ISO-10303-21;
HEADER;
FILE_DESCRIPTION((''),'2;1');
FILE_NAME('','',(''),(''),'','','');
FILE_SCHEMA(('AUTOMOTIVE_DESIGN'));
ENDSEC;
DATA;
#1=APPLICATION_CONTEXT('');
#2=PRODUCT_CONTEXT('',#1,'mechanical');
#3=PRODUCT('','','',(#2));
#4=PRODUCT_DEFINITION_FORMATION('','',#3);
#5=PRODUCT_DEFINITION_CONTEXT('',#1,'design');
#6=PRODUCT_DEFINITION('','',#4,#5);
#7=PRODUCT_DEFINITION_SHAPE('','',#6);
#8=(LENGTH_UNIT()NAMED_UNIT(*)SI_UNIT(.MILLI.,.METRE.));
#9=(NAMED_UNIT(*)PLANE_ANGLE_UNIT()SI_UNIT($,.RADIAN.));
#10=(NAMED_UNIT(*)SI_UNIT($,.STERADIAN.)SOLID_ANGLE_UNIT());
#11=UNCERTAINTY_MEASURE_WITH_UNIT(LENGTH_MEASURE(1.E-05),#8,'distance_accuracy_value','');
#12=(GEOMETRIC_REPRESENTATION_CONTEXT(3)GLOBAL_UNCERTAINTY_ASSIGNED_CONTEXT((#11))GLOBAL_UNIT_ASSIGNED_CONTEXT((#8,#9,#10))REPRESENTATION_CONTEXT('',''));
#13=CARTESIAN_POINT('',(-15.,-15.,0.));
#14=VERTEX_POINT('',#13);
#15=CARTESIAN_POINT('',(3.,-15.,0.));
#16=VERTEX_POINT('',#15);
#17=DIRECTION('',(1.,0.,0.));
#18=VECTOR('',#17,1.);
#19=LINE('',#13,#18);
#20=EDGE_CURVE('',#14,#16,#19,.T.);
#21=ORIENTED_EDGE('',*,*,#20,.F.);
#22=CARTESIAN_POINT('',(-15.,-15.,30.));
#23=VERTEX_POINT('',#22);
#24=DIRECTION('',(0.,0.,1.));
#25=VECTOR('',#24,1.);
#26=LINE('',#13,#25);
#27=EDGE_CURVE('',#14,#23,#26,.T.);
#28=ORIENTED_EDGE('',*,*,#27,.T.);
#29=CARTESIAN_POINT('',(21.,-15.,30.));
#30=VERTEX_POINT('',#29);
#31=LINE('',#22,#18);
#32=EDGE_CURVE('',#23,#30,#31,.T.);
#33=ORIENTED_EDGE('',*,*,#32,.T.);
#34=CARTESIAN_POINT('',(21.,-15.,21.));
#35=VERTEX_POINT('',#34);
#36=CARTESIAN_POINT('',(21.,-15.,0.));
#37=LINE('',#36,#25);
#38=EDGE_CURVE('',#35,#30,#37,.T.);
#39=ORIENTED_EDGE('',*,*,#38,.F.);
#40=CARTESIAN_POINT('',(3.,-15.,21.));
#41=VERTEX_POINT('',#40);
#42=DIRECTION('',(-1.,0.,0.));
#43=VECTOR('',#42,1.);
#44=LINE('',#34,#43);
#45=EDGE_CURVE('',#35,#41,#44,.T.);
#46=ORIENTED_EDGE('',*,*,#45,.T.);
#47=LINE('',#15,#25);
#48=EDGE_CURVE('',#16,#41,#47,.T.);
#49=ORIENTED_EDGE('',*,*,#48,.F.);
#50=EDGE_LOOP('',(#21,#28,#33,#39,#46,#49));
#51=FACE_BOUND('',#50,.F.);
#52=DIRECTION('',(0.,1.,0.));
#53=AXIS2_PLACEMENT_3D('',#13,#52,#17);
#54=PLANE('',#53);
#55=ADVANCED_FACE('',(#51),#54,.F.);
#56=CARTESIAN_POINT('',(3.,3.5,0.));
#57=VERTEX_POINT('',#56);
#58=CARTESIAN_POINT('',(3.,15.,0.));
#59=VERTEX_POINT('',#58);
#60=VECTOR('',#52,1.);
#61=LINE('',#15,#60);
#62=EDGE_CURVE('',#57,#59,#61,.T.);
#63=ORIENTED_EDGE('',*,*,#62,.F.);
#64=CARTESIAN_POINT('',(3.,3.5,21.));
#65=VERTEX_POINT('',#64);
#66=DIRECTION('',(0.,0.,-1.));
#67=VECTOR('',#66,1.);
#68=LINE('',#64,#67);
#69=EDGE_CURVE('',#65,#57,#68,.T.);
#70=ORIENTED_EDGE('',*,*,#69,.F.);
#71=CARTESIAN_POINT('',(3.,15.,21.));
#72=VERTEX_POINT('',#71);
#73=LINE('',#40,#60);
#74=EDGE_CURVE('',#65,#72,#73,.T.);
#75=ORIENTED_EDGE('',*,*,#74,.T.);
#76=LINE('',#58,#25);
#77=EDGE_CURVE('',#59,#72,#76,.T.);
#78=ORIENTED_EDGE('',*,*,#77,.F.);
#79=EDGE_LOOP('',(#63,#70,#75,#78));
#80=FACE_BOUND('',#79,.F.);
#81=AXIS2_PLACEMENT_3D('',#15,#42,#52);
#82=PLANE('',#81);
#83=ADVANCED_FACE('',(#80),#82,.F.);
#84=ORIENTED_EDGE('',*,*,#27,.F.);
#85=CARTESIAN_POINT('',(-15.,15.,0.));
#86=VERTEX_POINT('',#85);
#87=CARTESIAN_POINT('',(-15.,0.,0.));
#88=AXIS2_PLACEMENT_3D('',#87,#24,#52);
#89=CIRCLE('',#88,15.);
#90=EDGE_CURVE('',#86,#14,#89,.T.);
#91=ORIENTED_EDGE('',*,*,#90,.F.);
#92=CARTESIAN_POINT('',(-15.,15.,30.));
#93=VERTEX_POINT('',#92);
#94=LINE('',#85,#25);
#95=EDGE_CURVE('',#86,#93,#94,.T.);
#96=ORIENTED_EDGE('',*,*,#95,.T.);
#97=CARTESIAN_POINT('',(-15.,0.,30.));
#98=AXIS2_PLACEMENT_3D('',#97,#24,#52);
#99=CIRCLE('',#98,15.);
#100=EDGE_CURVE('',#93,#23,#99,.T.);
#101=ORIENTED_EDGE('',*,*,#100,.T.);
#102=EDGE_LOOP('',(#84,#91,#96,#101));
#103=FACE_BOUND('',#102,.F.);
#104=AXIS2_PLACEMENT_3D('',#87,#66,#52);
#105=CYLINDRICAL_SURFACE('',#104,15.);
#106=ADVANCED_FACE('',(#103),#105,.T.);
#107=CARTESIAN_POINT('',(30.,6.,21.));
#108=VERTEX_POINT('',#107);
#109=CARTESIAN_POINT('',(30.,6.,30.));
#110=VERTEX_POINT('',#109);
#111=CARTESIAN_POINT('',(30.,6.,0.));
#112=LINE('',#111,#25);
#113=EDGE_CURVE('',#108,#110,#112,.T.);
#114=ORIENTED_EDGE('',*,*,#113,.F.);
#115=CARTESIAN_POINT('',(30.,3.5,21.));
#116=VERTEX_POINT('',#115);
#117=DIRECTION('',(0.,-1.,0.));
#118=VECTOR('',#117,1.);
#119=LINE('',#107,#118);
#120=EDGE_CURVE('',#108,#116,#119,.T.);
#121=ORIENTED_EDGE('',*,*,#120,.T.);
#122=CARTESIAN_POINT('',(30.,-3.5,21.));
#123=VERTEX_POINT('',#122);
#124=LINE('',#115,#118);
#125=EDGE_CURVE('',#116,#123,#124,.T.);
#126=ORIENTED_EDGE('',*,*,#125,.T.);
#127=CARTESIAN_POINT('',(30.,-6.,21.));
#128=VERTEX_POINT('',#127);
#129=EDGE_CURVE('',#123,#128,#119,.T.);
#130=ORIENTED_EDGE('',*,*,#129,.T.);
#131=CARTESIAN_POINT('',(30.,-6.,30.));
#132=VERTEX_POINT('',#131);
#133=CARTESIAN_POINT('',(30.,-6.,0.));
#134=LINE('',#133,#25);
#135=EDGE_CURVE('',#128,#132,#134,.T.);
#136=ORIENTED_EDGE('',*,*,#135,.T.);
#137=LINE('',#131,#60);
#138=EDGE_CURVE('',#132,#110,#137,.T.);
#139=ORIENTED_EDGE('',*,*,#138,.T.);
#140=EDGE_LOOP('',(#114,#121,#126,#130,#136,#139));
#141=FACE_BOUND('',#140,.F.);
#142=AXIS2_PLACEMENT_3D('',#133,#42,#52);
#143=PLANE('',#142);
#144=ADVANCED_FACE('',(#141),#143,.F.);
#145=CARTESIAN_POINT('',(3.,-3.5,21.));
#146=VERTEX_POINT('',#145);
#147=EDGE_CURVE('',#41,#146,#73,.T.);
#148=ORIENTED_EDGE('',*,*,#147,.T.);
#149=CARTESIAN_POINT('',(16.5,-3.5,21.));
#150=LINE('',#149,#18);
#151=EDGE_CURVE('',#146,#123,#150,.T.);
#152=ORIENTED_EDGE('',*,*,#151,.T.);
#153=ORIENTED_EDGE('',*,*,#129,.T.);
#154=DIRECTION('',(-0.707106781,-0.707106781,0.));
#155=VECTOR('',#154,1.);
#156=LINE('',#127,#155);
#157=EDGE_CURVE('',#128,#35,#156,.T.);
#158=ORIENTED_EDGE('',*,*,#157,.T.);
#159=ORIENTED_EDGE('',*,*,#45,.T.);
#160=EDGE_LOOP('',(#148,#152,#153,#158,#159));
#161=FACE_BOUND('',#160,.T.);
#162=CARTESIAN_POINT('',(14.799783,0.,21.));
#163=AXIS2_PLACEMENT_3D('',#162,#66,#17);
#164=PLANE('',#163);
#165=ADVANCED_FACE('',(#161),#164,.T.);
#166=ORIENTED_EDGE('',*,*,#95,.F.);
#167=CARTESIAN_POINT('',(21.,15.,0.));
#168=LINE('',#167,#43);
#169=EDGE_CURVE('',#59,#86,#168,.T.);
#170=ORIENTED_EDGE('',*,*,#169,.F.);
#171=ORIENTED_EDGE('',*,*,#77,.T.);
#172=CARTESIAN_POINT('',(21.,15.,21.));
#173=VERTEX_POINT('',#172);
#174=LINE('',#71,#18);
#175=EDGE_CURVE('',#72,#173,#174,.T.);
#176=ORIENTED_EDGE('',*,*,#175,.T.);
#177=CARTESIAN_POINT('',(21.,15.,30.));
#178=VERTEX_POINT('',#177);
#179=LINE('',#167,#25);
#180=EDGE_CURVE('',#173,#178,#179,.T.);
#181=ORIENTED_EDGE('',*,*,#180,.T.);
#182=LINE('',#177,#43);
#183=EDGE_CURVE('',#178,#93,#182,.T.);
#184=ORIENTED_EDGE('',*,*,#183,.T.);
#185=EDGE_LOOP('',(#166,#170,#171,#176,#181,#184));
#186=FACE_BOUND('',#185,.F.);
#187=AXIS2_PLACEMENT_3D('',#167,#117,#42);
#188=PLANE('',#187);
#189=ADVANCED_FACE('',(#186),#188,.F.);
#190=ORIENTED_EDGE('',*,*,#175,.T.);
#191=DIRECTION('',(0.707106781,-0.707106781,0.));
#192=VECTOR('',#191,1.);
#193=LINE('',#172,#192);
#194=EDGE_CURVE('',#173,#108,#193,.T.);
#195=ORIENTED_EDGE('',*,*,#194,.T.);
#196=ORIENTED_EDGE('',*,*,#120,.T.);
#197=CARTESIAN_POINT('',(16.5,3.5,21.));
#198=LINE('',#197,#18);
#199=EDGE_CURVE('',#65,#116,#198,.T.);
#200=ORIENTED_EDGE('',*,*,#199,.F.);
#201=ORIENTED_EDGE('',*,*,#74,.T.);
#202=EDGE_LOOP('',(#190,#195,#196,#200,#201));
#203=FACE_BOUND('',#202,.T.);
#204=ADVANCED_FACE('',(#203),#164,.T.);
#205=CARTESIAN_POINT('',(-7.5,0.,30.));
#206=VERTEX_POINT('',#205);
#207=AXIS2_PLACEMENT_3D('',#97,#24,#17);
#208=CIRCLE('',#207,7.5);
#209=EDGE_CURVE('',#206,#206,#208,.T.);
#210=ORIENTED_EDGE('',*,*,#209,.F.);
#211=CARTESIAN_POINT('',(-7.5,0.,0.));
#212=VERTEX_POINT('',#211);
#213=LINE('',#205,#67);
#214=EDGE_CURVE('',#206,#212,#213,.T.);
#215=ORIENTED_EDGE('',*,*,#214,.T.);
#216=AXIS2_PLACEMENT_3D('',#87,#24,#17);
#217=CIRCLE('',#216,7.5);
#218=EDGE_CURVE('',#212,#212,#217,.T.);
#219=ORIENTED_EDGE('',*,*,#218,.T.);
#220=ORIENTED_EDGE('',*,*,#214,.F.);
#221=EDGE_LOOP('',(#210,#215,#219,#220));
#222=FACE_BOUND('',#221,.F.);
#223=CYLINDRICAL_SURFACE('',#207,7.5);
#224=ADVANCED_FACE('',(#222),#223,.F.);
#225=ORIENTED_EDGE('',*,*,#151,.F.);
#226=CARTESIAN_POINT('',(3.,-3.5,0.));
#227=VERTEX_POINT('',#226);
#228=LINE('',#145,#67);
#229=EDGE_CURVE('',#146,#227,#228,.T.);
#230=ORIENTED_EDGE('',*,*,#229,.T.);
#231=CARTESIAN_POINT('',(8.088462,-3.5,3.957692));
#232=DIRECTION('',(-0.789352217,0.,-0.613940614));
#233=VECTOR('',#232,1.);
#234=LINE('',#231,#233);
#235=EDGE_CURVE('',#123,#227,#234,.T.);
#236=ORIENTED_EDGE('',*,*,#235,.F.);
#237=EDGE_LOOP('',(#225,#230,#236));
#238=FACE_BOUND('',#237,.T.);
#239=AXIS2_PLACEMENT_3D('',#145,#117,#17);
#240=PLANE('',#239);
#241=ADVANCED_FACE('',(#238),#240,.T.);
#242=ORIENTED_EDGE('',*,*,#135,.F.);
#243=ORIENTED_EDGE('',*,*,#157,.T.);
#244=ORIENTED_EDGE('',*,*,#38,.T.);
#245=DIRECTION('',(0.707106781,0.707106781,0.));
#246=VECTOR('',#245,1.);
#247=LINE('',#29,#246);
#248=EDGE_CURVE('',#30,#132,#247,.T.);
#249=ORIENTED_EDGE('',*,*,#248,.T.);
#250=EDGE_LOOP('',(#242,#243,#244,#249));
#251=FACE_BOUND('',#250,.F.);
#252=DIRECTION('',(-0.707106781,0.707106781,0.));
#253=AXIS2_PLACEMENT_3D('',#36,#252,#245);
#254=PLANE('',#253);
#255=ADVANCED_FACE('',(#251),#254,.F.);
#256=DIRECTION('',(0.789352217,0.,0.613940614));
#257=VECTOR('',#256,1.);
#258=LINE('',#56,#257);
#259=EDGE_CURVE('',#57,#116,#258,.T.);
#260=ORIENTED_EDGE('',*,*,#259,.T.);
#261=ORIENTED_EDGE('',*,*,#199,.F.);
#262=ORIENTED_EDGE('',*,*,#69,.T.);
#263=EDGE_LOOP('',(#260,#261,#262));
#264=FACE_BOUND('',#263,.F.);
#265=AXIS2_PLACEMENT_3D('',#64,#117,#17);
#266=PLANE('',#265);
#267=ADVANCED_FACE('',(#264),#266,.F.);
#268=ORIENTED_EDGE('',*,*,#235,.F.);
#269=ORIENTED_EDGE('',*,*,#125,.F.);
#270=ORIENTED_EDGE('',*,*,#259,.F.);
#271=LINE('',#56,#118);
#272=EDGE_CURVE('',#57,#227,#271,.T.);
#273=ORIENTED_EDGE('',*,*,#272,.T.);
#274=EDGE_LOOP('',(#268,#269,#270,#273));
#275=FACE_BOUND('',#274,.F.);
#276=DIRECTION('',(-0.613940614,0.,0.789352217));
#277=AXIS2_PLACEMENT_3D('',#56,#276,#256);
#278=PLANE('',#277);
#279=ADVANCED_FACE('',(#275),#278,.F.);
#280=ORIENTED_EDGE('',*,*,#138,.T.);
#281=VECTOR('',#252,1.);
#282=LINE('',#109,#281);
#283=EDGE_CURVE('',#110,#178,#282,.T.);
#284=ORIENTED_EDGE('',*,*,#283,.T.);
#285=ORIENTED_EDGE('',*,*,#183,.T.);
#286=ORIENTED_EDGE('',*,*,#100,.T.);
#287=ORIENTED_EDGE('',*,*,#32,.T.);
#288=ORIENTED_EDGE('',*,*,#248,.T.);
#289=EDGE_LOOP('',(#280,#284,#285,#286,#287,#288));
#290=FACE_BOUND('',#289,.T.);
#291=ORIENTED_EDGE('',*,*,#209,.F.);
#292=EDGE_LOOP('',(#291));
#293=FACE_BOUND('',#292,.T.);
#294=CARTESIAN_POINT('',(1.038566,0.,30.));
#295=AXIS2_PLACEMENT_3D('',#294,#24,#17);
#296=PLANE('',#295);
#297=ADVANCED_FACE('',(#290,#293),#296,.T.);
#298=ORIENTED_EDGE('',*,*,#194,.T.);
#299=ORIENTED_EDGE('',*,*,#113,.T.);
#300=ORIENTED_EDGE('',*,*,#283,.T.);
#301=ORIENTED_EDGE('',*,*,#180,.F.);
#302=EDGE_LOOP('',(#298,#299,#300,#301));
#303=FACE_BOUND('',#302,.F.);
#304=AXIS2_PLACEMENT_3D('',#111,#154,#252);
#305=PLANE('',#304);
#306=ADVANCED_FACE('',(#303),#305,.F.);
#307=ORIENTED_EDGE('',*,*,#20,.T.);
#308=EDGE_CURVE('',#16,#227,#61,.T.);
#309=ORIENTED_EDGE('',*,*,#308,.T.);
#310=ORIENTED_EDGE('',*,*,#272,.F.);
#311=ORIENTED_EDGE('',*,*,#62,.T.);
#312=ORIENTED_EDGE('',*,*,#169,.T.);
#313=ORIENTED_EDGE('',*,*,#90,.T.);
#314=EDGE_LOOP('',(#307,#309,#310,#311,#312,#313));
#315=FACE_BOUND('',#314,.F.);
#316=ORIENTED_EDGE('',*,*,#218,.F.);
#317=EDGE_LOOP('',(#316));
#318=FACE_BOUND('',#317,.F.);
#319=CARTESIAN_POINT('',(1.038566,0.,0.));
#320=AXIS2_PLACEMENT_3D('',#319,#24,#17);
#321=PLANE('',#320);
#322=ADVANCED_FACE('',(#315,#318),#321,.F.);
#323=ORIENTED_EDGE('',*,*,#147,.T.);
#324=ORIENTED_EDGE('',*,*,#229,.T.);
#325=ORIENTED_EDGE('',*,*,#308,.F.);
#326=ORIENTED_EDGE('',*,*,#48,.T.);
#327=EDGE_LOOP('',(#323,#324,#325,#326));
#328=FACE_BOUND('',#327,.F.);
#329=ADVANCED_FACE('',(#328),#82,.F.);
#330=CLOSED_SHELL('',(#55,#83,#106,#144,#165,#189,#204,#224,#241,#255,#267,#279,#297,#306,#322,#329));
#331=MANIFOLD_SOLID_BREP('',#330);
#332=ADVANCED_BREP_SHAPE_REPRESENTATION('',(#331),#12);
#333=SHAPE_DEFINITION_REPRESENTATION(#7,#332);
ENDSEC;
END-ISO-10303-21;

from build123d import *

# Parameters (mm, degrees)
F1_DEPTH = 30
F2_R     = 7.5
F3_DEPTH = 30
F5_DEPTH = 21
F6_W     = 27
F6_H     = 7
F7_DEPTH = 21
F9_DEPTH = 25


with BuildPart() as f1:
    # F0 (on Top) → F1 (new body)
    with BuildSketch(Plane.XY):
        with BuildLine():
            Line((21, 15), (-15, 15))
            ThreePointArc((-15, 15), (-30, 0), (-15, -15))
            Line((-15, -15), (21, -15))
            Line((21, -15), (30, -6))
            Line((30, -6), (30, 6))
            Line((30, 6), (21, 15))
        make_face()
    extrude(amount=F1_DEPTH)

    # F2 (on face) → F3 (cut)
    with BuildSketch(Plane.XY.offset(30)):
        with Locations((-15, 0)):
            Circle(F2_R)
    extrude(amount=-F3_DEPTH, mode=Mode.SUBTRACT)

    # F4 (on face) → F5 (cut)
    with BuildSketch(Plane(origin=(0, 0, 0), x_dir=(1, 0, 0), z_dir=(0, 0, -1))):
        Polygon((21, 15), (3, 15), (3, -15), (21, -15), (30, -6), (30, 6), align=None)
    extrude(amount=-F5_DEPTH, mode=Mode.SUBTRACT)

    # F6 (on face) → F7 (join)
    with BuildSketch(Plane(origin=(0, 0, 21), x_dir=(1, 0, 0), z_dir=(0, 0, -1))):
        with Locations((16.5, 0)):
            Rectangle(F6_W, F6_H)
    extrude(amount=F7_DEPTH)

    # F8 (on face) → F9 (cut)
    with BuildSketch(Plane(origin=(0, 3.5, 0), x_dir=(-1, 0, 0), z_dir=(0, 1, 0))):
        Polygon((-30, 0), (-3, 0), (-30, 21), align=None)
    extrude(amount=-F9_DEPTH, mode=Mode.SUBTRACT)


solid = f1.part
